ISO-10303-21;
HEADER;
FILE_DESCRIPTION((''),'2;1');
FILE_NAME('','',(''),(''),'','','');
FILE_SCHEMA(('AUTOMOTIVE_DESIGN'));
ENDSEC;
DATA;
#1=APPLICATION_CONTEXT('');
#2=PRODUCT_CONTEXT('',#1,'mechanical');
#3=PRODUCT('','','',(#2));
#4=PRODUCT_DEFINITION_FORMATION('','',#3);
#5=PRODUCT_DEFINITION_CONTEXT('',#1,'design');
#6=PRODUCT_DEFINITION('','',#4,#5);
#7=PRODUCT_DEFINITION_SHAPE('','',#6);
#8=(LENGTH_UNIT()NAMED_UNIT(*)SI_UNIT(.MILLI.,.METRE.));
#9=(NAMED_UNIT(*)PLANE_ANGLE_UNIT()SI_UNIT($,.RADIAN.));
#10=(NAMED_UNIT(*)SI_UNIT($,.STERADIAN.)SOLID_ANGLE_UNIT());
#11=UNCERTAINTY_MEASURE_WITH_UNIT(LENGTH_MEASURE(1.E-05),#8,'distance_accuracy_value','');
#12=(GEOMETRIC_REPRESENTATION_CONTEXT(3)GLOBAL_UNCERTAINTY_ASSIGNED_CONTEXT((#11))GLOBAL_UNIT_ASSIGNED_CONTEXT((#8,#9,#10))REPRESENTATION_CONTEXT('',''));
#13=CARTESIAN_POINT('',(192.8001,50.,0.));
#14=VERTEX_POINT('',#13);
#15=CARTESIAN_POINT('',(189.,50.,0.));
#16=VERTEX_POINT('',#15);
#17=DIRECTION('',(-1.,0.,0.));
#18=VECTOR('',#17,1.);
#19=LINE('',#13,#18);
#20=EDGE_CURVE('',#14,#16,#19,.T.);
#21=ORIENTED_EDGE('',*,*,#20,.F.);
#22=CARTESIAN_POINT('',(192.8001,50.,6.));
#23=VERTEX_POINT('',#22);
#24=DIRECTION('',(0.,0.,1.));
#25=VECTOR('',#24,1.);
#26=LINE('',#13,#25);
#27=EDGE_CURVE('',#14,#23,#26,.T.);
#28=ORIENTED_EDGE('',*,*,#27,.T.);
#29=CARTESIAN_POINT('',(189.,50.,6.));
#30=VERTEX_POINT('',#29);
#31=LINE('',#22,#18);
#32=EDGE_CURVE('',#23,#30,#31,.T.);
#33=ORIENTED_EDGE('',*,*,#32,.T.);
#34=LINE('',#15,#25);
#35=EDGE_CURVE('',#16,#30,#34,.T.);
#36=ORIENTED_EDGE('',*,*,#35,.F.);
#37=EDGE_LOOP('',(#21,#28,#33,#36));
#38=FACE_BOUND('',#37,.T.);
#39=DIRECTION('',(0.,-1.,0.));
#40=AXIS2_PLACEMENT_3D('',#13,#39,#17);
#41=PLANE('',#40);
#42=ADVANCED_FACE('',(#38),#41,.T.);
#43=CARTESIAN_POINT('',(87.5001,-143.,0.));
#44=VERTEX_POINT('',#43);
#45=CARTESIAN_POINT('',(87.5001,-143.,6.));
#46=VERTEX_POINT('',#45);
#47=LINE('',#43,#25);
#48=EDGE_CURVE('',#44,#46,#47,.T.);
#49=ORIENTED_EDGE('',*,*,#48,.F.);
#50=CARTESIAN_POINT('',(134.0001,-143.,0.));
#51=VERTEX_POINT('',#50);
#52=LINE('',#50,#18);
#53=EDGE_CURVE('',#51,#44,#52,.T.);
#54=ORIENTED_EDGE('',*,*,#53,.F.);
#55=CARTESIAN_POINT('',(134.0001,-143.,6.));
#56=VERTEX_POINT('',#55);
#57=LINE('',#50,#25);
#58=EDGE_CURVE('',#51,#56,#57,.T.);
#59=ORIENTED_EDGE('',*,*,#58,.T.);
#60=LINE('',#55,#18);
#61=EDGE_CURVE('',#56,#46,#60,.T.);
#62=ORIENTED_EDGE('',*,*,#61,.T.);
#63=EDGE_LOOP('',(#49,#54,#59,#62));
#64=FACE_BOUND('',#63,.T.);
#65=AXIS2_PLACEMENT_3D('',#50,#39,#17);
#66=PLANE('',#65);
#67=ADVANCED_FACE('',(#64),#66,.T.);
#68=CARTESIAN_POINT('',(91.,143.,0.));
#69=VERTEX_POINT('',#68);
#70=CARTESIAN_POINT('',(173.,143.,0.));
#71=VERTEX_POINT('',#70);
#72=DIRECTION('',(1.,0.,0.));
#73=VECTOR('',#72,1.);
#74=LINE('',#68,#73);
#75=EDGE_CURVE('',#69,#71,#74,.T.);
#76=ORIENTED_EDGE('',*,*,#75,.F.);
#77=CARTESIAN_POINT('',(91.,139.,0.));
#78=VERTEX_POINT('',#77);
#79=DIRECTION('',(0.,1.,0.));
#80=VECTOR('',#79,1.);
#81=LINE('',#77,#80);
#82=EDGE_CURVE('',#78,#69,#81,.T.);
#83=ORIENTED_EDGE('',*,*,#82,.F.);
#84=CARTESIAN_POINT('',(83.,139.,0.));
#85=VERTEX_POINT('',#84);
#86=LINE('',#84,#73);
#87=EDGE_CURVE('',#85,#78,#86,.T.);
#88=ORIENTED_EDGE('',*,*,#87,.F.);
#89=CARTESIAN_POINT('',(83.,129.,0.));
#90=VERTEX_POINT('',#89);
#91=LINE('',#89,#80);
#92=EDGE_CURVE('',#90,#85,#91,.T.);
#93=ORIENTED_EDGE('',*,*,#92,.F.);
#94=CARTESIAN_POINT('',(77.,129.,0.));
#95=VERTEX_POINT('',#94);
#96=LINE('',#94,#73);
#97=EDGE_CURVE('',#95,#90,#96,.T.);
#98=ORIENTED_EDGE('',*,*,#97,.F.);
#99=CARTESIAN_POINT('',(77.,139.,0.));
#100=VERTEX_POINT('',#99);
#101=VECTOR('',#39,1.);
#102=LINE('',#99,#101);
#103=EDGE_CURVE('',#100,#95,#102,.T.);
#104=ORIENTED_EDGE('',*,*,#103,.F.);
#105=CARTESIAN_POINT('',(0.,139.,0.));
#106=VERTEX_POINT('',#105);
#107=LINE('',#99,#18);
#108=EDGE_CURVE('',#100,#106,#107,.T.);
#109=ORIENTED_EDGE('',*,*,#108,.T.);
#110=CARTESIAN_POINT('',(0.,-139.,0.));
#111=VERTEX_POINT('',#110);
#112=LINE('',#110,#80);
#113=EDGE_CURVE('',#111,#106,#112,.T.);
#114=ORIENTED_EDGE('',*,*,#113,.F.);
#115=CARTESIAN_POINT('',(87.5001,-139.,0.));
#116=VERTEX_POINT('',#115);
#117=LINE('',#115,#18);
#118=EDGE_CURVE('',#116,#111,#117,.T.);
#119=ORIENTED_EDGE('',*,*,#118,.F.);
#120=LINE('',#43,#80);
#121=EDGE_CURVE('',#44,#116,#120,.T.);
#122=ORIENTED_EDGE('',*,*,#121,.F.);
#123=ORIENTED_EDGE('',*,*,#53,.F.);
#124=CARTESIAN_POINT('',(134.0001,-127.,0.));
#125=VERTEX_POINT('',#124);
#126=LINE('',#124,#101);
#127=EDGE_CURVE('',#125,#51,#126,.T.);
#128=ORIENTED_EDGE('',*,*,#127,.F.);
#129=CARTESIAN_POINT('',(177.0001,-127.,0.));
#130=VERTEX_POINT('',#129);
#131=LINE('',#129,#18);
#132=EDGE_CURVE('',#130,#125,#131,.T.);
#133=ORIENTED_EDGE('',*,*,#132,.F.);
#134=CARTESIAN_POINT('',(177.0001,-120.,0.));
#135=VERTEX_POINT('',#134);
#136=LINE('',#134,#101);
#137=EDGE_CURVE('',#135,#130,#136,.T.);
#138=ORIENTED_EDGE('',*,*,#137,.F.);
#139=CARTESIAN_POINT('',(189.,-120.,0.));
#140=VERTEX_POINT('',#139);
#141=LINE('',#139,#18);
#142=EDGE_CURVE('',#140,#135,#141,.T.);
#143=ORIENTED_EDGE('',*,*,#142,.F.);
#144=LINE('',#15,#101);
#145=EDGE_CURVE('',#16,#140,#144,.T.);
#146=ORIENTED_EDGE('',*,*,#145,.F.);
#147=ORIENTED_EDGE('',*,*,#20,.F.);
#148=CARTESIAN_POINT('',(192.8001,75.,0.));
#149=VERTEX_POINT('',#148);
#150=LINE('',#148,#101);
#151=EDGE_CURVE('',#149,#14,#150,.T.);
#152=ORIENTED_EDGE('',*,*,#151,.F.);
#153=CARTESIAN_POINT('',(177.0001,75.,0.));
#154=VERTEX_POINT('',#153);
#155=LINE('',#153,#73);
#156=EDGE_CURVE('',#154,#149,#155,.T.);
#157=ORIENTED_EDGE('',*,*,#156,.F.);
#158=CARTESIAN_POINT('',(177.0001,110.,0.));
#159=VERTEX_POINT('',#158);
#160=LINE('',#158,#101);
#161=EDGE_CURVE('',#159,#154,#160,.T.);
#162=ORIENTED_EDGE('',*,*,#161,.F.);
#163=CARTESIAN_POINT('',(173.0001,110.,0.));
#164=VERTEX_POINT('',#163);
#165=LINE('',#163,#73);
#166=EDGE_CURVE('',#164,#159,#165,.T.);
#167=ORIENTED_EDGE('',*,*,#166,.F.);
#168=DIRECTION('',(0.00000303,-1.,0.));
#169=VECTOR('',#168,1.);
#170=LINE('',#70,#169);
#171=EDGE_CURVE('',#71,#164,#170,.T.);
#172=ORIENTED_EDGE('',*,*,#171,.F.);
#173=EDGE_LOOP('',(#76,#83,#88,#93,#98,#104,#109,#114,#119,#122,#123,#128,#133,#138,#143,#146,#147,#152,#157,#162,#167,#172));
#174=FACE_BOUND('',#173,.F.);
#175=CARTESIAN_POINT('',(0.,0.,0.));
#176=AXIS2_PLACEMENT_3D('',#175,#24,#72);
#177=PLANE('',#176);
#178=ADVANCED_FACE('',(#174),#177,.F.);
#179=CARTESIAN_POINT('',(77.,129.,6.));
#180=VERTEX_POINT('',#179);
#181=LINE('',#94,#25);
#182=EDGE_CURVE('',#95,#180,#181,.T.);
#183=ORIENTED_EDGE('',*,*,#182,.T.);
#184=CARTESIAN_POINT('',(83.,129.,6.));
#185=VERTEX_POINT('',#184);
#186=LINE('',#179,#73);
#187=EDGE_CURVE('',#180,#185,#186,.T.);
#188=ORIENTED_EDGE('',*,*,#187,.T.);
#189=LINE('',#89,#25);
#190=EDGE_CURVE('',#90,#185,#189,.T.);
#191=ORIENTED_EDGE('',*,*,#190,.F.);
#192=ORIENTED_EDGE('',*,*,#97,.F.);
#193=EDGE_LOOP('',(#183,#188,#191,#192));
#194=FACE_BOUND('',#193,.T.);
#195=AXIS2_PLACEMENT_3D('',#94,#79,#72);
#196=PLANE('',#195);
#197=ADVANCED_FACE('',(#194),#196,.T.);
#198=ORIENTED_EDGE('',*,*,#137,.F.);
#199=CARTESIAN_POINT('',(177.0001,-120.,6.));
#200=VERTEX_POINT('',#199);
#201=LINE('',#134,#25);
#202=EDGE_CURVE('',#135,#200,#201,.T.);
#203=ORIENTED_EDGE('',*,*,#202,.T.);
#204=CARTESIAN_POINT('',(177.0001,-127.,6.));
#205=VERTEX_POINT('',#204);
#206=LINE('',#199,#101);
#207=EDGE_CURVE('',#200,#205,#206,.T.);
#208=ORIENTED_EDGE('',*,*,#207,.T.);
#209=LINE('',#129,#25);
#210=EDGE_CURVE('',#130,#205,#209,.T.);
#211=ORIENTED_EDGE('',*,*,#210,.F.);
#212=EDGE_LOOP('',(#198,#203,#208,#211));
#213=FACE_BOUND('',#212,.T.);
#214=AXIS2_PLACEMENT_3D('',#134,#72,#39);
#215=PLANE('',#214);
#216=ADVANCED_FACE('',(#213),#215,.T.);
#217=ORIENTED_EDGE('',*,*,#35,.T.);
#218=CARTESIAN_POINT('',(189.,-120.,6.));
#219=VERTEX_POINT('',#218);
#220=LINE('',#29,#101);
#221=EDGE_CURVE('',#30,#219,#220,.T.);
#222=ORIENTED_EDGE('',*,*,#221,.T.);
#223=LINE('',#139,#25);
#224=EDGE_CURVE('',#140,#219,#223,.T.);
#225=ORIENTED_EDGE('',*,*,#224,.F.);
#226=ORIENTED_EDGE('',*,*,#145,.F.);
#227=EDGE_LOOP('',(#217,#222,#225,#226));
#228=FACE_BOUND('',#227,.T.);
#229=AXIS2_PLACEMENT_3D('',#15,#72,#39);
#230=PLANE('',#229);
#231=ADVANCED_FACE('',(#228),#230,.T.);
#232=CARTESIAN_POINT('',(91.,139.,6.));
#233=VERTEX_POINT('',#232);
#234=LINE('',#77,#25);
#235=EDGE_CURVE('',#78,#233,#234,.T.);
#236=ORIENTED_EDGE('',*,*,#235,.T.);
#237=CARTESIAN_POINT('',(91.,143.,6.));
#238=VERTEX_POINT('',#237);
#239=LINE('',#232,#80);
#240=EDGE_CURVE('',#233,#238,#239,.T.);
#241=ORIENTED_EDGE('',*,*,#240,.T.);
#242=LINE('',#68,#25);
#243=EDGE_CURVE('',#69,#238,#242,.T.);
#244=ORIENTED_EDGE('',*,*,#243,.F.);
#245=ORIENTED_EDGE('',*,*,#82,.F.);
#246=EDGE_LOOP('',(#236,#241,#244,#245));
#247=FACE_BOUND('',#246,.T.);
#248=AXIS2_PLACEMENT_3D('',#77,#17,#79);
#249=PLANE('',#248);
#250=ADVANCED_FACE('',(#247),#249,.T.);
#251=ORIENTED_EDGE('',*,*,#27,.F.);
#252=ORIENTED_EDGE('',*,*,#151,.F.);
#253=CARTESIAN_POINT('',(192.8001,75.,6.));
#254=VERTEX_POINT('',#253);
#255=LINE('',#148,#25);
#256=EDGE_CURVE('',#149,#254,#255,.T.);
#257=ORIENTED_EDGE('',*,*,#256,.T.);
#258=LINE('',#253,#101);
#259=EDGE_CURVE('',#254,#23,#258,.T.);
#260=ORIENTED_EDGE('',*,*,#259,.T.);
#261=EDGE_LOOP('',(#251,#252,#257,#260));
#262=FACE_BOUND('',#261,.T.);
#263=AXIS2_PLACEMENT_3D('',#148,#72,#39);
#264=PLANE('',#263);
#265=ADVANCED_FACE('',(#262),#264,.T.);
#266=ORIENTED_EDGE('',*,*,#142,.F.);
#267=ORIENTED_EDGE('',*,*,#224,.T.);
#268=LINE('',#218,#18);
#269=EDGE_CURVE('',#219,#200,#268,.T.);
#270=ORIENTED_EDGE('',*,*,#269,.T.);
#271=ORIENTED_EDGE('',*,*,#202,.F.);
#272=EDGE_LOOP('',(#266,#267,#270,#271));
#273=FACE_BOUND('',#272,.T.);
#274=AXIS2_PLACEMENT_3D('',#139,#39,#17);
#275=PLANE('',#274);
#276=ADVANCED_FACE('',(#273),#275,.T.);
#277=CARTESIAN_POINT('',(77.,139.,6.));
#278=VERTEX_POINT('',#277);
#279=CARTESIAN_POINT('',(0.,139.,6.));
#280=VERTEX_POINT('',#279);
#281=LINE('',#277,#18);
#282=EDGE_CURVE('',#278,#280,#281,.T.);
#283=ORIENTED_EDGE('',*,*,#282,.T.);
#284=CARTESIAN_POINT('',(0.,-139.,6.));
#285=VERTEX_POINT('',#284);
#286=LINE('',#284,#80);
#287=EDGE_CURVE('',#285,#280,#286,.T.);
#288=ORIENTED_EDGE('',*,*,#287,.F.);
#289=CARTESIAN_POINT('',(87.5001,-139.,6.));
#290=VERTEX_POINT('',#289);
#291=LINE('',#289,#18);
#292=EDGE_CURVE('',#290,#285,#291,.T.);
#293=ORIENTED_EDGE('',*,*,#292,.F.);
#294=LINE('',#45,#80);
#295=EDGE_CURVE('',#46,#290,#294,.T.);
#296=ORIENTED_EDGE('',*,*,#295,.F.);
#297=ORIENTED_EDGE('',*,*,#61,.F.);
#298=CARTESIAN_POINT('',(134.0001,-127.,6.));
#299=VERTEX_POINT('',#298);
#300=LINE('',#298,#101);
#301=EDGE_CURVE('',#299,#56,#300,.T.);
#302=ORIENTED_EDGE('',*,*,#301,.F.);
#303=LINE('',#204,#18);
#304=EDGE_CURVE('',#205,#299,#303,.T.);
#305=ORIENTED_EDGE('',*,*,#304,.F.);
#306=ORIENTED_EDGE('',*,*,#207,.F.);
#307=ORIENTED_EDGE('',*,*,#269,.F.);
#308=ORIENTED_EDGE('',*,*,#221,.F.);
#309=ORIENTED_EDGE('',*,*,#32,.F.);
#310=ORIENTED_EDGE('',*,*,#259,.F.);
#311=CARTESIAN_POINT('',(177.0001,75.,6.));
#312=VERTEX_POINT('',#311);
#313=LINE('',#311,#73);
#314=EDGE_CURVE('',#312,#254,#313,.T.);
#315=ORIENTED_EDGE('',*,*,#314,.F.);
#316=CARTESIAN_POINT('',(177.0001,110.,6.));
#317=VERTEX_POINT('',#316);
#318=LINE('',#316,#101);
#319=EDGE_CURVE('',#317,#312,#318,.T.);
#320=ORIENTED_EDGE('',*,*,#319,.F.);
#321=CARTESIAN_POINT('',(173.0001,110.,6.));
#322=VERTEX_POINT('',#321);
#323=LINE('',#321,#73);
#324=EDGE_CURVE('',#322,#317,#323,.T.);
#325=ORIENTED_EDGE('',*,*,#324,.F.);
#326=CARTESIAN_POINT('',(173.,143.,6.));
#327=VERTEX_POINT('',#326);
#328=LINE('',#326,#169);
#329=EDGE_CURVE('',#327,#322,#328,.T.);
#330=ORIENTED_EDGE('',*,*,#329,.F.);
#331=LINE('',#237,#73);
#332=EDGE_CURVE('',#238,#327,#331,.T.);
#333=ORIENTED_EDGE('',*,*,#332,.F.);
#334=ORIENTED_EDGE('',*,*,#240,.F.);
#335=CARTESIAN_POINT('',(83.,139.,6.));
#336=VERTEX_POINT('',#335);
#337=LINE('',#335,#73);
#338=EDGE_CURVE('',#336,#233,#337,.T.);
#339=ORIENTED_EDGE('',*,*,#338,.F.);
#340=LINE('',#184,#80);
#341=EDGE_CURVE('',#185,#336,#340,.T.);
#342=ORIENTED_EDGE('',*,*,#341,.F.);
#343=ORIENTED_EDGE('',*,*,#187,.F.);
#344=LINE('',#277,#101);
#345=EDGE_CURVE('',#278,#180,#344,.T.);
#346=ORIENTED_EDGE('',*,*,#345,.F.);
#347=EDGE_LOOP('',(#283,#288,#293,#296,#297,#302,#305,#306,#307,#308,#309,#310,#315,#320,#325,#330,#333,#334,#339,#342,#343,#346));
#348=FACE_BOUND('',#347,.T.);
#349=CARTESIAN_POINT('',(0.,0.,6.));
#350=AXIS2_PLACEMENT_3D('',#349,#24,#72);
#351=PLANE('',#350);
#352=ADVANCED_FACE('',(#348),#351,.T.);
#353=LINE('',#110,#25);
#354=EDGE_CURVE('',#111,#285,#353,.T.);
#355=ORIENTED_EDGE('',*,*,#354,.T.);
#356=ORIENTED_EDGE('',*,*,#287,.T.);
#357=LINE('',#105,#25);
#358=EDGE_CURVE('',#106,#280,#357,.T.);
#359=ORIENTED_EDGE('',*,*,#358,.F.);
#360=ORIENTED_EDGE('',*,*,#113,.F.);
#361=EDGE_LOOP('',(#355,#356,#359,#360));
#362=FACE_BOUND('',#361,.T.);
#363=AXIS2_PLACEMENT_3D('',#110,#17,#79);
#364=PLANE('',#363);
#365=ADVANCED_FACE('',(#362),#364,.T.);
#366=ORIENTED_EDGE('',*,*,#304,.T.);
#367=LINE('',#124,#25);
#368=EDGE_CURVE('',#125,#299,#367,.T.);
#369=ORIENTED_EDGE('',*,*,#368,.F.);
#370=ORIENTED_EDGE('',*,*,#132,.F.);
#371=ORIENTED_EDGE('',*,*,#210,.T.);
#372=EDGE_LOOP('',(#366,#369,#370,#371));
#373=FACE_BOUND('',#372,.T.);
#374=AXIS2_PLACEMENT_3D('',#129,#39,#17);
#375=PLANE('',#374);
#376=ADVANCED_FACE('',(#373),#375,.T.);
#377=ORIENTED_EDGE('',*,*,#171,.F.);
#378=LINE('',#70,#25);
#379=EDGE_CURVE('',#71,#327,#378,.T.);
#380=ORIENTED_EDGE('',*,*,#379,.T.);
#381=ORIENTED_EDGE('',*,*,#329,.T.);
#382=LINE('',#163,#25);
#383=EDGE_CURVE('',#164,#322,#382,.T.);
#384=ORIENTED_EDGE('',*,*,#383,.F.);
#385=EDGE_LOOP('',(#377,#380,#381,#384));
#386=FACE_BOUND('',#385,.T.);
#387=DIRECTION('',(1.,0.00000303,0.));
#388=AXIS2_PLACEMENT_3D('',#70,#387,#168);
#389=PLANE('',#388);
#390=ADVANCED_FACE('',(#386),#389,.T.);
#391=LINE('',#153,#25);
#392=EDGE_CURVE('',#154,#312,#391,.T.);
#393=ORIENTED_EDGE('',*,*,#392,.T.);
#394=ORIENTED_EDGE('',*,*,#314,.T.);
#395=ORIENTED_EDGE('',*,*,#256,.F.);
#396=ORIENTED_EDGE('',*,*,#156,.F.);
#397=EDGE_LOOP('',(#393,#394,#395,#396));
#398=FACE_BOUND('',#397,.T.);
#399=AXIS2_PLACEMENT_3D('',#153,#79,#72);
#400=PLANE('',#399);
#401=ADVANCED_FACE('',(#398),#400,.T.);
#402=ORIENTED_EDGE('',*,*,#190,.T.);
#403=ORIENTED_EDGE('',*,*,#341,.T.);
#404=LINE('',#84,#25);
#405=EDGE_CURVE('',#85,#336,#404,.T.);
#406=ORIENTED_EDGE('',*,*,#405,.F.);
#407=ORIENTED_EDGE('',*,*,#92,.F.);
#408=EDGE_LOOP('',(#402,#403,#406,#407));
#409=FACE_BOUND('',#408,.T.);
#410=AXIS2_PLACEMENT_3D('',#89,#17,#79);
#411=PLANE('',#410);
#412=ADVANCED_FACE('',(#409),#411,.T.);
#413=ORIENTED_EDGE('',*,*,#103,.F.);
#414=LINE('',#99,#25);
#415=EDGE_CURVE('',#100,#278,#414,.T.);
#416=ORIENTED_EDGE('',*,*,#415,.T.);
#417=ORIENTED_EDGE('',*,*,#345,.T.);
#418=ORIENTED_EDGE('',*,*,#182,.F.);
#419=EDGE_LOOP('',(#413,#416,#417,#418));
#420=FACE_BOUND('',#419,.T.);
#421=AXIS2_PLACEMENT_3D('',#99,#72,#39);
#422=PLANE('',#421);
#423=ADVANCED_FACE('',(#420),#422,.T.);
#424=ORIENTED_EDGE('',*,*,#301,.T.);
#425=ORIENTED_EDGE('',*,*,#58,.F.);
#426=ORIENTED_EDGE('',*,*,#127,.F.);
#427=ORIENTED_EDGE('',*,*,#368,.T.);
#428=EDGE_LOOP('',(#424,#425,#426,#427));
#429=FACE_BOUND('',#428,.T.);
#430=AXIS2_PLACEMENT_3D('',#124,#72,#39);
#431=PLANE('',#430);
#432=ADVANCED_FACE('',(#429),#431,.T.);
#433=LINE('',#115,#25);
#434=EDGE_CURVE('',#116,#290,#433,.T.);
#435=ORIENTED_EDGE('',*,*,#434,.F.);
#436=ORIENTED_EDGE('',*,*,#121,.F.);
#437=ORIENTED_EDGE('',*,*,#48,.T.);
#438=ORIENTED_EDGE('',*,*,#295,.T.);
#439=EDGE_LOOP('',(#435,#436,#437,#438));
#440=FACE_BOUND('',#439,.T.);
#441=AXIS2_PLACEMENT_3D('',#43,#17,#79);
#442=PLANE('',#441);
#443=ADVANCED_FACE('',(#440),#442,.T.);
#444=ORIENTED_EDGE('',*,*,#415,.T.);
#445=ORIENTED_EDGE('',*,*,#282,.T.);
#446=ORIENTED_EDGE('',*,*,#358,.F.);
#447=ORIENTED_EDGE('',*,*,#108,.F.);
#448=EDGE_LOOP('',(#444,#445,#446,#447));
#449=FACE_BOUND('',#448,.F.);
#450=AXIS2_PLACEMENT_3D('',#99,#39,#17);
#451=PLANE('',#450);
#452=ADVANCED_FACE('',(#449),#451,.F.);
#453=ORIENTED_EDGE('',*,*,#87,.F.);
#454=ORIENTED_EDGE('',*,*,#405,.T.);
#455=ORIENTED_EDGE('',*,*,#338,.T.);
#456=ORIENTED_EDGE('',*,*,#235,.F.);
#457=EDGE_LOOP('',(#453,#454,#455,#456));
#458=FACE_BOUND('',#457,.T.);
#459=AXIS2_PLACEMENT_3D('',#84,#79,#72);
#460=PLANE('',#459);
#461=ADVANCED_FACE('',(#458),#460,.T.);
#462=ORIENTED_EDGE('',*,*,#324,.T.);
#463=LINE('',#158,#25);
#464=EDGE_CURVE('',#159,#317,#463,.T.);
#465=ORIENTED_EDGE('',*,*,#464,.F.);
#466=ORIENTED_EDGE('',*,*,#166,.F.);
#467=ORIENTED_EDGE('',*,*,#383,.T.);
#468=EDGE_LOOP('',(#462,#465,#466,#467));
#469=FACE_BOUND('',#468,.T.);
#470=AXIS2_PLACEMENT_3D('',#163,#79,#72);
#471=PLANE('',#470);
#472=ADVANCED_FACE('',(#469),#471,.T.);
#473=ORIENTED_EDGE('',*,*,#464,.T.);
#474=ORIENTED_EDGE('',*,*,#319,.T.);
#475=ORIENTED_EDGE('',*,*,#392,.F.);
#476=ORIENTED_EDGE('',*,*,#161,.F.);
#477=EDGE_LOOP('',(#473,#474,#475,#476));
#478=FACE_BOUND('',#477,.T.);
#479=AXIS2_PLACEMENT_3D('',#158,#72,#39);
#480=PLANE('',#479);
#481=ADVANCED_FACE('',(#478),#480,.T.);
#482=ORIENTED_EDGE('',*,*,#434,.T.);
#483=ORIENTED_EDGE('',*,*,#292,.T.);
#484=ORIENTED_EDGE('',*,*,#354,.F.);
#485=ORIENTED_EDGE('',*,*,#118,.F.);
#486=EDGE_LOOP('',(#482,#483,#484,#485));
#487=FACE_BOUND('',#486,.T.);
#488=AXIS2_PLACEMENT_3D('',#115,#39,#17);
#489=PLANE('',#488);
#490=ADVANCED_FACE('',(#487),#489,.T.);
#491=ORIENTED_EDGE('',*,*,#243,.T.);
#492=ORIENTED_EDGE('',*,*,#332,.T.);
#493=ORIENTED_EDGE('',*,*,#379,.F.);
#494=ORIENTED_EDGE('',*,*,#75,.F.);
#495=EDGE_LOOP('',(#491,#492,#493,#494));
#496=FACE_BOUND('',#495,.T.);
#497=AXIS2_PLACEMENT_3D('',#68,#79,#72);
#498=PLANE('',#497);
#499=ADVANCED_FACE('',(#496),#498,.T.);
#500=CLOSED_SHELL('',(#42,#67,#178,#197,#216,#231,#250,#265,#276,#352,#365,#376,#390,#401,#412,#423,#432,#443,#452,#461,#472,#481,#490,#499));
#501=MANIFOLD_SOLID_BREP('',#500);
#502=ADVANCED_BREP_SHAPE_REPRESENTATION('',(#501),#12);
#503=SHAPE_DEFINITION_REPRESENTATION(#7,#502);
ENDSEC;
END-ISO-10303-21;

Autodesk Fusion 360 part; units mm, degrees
sketch "bottomSketch" plane through (0, 0, 0) normal (0, 0, 1) x (1, 0, 0) in component "bottom"
  line L0 (77, 139) -> (0, 139)
  line L1 (189, 50) -> (189, -120)
  line L2 (-192.8001, 143) -> (192.8001, -143) construction
  line L3 (91, 139) -> (91, 143)
  line L4 (0, 143) -> (0, -143) construction
  line L5 (192.8001, 143) -> (-192.8001, -143) construction
  line L6 (-192.8001, 143) -> (-192.8001, -143) construction
  line L7 (0, -139) -> (0, 139)
  line L8 (-192.8001, -143) -> (192.8001, -143) construction
  line L9 (192.8001, 143) -> (-192.8001, 143) construction
  line L10 (177.0001, 75) -> (192.8001, 75)
  line L11 (87.5001, -143) -> (87.5001, -139)
  line L12 (83, 139) -> (91, 139)
  line L13 (192.8001, 50) -> (189, 50)
  line L14 (192.8001, 75) -> (192.8001, 50)
  line L15 (177.0001, -120) -> (177.0001, -127)
  line L16 (173, 143) -> (173.0001, 110)
  line L17 (134.0001, -143) -> (87.5001, -143)
  line L18 (189, -120) -> (177.0001, -120)
  line L19 (83, 129) -> (83, 139)
  line L20 (177.0001, 110) -> (177.0001, 75)
  line L21 (173.0001, 110) -> (177.0001, 110)
  line L22 (77, 129) -> (83, 129)
  line L23 (134.0001, -127) -> (134.0001, -143)
  line L24 (77, 139) -> (77, 129)
  line L25 (91, 143) -> (173, 143)
  line L26 (192.8001, -143) -> (192.8001, 143) construction
  line L27 (87.5001, -139) -> (0, -139)
  line L28 (177.0001, -127) -> (134.0001, -127)
  dimension "d14" = 4
  dimension "d15" = 16
  dimension "d16" = 7
extrude "Extrude2" add sketch "bottomSketch" along normal blind 6 in component "bottom"
component "bottom" placed x (1, 0, 0) y (0, 1, 0) z (0, 0, 1) at (0, 0, 0)
